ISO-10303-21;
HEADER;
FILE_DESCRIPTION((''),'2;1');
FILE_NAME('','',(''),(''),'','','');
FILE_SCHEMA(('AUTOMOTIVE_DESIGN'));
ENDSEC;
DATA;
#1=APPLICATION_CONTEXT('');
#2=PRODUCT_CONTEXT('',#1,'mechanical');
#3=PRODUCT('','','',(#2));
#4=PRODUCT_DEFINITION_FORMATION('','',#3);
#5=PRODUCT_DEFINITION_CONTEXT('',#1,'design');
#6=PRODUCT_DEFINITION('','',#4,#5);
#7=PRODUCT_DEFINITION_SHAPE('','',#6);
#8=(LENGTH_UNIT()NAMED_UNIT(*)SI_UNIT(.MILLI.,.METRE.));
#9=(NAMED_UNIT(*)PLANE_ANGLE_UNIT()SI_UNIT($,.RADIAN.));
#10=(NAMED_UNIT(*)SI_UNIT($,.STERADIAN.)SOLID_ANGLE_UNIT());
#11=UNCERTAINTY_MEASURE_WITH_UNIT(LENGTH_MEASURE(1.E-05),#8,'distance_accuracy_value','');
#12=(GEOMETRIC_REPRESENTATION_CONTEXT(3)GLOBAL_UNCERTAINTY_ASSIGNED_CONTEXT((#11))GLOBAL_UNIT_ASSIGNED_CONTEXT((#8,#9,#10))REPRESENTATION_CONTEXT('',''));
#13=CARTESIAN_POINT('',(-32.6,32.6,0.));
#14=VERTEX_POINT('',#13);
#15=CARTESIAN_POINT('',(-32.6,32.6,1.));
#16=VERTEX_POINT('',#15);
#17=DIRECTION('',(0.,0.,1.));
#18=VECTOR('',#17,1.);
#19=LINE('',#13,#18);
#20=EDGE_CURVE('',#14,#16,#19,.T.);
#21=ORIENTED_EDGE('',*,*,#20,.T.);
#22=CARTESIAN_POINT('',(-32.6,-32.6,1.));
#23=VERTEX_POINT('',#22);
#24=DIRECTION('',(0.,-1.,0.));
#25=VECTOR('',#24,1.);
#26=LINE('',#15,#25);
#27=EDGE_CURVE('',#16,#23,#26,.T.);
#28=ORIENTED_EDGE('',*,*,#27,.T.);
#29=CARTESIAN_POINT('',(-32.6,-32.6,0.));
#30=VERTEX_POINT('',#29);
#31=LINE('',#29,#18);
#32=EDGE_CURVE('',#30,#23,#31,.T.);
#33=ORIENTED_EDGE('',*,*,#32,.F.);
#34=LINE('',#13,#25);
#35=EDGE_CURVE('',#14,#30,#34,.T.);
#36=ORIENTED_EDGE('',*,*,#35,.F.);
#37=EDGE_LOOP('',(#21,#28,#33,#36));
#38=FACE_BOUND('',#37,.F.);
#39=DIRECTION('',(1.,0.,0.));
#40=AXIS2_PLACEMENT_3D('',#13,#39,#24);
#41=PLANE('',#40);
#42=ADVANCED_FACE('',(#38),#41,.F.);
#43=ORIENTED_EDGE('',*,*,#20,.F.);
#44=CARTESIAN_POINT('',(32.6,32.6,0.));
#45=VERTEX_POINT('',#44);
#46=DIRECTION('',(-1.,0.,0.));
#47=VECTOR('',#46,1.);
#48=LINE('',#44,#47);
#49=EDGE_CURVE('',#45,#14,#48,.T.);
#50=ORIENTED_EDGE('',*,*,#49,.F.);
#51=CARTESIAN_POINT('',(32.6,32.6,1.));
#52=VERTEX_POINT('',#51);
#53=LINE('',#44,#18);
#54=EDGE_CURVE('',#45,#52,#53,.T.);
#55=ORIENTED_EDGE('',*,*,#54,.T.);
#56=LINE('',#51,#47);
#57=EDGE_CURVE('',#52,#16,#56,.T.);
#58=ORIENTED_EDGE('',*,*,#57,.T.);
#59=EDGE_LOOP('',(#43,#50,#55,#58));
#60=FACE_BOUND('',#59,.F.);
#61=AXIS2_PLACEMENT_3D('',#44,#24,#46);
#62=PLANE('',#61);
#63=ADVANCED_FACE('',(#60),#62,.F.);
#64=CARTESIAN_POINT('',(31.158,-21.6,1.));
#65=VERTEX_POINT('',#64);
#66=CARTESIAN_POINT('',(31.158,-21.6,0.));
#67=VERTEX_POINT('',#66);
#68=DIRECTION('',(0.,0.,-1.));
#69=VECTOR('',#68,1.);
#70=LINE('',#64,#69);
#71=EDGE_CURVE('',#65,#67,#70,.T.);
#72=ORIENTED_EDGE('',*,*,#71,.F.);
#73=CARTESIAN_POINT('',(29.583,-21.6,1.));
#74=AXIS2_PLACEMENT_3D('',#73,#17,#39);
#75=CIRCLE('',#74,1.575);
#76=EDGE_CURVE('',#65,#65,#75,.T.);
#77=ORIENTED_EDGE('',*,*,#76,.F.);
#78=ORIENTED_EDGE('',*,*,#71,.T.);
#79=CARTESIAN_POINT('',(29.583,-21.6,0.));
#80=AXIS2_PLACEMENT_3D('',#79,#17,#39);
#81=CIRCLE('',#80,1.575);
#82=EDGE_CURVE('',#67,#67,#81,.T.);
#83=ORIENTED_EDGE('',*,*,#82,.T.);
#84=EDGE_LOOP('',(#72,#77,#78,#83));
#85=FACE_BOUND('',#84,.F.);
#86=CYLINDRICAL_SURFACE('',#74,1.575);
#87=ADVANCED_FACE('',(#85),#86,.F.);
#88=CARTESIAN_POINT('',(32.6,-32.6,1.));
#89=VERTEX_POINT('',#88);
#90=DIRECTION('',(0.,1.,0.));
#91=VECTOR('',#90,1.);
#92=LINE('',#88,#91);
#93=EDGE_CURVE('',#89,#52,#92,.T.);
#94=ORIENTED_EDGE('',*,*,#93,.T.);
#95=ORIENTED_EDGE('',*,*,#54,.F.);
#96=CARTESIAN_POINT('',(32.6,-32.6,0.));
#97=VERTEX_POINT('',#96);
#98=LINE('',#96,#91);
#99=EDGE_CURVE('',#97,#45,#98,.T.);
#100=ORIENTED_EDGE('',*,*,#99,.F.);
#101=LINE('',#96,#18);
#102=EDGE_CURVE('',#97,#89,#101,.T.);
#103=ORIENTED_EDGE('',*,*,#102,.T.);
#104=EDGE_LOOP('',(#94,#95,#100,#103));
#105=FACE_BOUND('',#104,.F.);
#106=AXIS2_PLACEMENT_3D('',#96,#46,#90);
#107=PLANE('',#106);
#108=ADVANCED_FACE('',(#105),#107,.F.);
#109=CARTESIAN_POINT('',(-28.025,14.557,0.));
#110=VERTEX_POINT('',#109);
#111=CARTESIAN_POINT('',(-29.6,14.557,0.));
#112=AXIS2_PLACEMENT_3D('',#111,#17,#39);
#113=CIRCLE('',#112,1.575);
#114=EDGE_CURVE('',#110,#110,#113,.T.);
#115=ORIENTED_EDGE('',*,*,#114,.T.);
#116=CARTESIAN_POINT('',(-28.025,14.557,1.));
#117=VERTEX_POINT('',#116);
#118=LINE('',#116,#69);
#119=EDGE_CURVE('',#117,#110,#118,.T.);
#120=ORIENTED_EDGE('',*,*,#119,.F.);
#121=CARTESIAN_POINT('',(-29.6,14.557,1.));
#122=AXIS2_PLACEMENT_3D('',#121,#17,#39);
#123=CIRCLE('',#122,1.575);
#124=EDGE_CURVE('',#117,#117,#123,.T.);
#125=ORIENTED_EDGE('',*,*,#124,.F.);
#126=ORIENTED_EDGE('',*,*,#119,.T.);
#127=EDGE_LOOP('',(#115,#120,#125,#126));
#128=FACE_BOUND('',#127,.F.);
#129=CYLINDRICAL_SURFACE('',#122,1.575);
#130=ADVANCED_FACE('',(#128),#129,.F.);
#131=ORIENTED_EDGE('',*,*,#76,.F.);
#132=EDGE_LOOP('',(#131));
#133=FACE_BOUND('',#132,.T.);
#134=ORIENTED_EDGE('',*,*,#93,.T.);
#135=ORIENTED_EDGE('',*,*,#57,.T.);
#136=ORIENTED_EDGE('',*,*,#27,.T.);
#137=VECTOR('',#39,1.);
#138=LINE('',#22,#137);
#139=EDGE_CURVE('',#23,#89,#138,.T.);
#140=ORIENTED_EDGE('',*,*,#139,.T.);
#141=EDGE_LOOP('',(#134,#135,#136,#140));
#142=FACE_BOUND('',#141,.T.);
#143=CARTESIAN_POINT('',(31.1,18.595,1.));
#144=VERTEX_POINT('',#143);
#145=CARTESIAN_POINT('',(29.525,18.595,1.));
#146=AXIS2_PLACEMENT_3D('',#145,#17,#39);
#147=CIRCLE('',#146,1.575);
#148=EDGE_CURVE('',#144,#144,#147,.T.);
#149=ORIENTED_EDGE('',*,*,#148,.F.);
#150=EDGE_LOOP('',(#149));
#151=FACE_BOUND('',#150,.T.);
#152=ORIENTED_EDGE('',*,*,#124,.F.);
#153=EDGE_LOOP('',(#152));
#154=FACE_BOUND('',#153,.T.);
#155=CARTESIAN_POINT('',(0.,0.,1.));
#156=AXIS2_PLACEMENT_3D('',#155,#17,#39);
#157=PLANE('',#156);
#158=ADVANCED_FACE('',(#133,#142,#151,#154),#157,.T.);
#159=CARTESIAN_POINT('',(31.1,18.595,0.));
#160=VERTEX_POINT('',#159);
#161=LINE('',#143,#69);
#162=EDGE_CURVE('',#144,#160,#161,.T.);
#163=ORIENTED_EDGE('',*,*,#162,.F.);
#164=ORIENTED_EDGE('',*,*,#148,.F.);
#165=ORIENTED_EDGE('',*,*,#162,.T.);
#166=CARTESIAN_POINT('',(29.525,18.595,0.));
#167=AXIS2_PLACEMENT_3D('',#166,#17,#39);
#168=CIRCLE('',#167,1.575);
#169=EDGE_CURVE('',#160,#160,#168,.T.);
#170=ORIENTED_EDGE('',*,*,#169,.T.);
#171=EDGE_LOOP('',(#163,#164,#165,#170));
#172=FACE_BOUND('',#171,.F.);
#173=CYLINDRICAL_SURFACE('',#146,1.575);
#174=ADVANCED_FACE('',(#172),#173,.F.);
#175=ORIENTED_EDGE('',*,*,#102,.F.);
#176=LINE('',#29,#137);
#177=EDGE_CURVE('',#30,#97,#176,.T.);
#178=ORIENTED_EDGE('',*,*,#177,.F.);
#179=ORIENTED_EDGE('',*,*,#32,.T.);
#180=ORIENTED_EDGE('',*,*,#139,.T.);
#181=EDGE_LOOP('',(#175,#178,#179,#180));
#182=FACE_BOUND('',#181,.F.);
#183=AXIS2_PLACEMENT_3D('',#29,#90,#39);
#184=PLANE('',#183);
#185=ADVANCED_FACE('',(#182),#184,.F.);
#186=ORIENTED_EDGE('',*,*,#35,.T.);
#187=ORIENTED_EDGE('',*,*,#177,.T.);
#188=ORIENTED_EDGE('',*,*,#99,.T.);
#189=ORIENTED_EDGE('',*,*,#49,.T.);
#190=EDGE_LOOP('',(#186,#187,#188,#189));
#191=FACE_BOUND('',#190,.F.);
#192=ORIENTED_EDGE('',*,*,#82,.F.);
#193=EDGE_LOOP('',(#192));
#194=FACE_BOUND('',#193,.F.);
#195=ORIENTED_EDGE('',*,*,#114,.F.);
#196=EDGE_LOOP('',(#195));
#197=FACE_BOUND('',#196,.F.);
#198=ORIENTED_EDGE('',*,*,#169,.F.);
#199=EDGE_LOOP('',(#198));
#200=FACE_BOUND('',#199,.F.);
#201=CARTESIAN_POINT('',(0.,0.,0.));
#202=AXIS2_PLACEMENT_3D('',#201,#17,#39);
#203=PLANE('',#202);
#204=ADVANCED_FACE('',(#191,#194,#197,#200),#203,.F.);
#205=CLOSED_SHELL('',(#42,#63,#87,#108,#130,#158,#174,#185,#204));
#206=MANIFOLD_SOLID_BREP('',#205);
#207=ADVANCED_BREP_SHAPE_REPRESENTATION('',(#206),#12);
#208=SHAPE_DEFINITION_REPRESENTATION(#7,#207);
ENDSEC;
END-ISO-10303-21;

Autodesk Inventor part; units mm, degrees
ref_plane "YZ Plane" through (0, 0, 0) normal (1, 0, 0) x (0, 1, 0)
ref_plane "XZ Plane" through (0, 0, 0) normal (0, 1, 0) x (-1, 0, 0)
ref_plane "XY Plane" through (0, 0, 0) normal (0, 0, 1) x (1, 0, 0)
sketch "Sketch1" plane through (0, 0, 0) normal (0, 0, 1) x (1, 0, 0)
  line L0 (-32.6, -32.6) -> (32.6, -32.6)
  line L1 (32.6, -32.6) -> (32.6, 32.6)
  line L2 (32.6, 32.6) -> (-32.6, 32.6)
  line L3 (-32.6, 32.6) -> (-32.6, -32.6)
  line L4 (-32.6, -32.6) -> (32.6, 32.6) construction
  line L5 (32.6, -32.6) -> (-32.6, 32.6) construction
  point P0 (0, 0)
  dimension "d0" = 65.2
  dimension "d1" = 65.2
extrude "Extrusion1" add sketch "Sketch1" along normal blind 1
sketch "Sketch2" plane through (0, 0, 1) normal (0, 0, 1) x (1, 0, 0)
  circle A0 centre (-29.6, 14.557) radius 1.575
  circle A1 centre (29.525, 18.595) radius 1.575
  circle A2 centre (29.583, -21.6) radius 1.575
  line L0 (-32.6, 32.6) -> (-32.6, -32.6) projected
  line L1 (32.6, 32.6) -> (-32.6, 32.6) projected
  line L2 (32.6, -32.6) -> (32.6, 32.6) projected
  line L3 (-32.6, -32.6) -> (32.6, -32.6) projected
  point P0 (0, 0)
  dimension "d4" = 3
  dimension "d5" = 18.043
  dimension "d6" = 3.075
  dimension "d7" = 14.005
  dimension "d8" = 11
  dimension "d9" = 3.017
  dimension "d10" = 3.15
  dimension "d11" = 3.15
  dimension "d12" = 3.15
extrude "Extrusion2" cut sketch "Sketch2" against normal blind 1 contours A0 | A1 | A2
properties part number "PCB"
